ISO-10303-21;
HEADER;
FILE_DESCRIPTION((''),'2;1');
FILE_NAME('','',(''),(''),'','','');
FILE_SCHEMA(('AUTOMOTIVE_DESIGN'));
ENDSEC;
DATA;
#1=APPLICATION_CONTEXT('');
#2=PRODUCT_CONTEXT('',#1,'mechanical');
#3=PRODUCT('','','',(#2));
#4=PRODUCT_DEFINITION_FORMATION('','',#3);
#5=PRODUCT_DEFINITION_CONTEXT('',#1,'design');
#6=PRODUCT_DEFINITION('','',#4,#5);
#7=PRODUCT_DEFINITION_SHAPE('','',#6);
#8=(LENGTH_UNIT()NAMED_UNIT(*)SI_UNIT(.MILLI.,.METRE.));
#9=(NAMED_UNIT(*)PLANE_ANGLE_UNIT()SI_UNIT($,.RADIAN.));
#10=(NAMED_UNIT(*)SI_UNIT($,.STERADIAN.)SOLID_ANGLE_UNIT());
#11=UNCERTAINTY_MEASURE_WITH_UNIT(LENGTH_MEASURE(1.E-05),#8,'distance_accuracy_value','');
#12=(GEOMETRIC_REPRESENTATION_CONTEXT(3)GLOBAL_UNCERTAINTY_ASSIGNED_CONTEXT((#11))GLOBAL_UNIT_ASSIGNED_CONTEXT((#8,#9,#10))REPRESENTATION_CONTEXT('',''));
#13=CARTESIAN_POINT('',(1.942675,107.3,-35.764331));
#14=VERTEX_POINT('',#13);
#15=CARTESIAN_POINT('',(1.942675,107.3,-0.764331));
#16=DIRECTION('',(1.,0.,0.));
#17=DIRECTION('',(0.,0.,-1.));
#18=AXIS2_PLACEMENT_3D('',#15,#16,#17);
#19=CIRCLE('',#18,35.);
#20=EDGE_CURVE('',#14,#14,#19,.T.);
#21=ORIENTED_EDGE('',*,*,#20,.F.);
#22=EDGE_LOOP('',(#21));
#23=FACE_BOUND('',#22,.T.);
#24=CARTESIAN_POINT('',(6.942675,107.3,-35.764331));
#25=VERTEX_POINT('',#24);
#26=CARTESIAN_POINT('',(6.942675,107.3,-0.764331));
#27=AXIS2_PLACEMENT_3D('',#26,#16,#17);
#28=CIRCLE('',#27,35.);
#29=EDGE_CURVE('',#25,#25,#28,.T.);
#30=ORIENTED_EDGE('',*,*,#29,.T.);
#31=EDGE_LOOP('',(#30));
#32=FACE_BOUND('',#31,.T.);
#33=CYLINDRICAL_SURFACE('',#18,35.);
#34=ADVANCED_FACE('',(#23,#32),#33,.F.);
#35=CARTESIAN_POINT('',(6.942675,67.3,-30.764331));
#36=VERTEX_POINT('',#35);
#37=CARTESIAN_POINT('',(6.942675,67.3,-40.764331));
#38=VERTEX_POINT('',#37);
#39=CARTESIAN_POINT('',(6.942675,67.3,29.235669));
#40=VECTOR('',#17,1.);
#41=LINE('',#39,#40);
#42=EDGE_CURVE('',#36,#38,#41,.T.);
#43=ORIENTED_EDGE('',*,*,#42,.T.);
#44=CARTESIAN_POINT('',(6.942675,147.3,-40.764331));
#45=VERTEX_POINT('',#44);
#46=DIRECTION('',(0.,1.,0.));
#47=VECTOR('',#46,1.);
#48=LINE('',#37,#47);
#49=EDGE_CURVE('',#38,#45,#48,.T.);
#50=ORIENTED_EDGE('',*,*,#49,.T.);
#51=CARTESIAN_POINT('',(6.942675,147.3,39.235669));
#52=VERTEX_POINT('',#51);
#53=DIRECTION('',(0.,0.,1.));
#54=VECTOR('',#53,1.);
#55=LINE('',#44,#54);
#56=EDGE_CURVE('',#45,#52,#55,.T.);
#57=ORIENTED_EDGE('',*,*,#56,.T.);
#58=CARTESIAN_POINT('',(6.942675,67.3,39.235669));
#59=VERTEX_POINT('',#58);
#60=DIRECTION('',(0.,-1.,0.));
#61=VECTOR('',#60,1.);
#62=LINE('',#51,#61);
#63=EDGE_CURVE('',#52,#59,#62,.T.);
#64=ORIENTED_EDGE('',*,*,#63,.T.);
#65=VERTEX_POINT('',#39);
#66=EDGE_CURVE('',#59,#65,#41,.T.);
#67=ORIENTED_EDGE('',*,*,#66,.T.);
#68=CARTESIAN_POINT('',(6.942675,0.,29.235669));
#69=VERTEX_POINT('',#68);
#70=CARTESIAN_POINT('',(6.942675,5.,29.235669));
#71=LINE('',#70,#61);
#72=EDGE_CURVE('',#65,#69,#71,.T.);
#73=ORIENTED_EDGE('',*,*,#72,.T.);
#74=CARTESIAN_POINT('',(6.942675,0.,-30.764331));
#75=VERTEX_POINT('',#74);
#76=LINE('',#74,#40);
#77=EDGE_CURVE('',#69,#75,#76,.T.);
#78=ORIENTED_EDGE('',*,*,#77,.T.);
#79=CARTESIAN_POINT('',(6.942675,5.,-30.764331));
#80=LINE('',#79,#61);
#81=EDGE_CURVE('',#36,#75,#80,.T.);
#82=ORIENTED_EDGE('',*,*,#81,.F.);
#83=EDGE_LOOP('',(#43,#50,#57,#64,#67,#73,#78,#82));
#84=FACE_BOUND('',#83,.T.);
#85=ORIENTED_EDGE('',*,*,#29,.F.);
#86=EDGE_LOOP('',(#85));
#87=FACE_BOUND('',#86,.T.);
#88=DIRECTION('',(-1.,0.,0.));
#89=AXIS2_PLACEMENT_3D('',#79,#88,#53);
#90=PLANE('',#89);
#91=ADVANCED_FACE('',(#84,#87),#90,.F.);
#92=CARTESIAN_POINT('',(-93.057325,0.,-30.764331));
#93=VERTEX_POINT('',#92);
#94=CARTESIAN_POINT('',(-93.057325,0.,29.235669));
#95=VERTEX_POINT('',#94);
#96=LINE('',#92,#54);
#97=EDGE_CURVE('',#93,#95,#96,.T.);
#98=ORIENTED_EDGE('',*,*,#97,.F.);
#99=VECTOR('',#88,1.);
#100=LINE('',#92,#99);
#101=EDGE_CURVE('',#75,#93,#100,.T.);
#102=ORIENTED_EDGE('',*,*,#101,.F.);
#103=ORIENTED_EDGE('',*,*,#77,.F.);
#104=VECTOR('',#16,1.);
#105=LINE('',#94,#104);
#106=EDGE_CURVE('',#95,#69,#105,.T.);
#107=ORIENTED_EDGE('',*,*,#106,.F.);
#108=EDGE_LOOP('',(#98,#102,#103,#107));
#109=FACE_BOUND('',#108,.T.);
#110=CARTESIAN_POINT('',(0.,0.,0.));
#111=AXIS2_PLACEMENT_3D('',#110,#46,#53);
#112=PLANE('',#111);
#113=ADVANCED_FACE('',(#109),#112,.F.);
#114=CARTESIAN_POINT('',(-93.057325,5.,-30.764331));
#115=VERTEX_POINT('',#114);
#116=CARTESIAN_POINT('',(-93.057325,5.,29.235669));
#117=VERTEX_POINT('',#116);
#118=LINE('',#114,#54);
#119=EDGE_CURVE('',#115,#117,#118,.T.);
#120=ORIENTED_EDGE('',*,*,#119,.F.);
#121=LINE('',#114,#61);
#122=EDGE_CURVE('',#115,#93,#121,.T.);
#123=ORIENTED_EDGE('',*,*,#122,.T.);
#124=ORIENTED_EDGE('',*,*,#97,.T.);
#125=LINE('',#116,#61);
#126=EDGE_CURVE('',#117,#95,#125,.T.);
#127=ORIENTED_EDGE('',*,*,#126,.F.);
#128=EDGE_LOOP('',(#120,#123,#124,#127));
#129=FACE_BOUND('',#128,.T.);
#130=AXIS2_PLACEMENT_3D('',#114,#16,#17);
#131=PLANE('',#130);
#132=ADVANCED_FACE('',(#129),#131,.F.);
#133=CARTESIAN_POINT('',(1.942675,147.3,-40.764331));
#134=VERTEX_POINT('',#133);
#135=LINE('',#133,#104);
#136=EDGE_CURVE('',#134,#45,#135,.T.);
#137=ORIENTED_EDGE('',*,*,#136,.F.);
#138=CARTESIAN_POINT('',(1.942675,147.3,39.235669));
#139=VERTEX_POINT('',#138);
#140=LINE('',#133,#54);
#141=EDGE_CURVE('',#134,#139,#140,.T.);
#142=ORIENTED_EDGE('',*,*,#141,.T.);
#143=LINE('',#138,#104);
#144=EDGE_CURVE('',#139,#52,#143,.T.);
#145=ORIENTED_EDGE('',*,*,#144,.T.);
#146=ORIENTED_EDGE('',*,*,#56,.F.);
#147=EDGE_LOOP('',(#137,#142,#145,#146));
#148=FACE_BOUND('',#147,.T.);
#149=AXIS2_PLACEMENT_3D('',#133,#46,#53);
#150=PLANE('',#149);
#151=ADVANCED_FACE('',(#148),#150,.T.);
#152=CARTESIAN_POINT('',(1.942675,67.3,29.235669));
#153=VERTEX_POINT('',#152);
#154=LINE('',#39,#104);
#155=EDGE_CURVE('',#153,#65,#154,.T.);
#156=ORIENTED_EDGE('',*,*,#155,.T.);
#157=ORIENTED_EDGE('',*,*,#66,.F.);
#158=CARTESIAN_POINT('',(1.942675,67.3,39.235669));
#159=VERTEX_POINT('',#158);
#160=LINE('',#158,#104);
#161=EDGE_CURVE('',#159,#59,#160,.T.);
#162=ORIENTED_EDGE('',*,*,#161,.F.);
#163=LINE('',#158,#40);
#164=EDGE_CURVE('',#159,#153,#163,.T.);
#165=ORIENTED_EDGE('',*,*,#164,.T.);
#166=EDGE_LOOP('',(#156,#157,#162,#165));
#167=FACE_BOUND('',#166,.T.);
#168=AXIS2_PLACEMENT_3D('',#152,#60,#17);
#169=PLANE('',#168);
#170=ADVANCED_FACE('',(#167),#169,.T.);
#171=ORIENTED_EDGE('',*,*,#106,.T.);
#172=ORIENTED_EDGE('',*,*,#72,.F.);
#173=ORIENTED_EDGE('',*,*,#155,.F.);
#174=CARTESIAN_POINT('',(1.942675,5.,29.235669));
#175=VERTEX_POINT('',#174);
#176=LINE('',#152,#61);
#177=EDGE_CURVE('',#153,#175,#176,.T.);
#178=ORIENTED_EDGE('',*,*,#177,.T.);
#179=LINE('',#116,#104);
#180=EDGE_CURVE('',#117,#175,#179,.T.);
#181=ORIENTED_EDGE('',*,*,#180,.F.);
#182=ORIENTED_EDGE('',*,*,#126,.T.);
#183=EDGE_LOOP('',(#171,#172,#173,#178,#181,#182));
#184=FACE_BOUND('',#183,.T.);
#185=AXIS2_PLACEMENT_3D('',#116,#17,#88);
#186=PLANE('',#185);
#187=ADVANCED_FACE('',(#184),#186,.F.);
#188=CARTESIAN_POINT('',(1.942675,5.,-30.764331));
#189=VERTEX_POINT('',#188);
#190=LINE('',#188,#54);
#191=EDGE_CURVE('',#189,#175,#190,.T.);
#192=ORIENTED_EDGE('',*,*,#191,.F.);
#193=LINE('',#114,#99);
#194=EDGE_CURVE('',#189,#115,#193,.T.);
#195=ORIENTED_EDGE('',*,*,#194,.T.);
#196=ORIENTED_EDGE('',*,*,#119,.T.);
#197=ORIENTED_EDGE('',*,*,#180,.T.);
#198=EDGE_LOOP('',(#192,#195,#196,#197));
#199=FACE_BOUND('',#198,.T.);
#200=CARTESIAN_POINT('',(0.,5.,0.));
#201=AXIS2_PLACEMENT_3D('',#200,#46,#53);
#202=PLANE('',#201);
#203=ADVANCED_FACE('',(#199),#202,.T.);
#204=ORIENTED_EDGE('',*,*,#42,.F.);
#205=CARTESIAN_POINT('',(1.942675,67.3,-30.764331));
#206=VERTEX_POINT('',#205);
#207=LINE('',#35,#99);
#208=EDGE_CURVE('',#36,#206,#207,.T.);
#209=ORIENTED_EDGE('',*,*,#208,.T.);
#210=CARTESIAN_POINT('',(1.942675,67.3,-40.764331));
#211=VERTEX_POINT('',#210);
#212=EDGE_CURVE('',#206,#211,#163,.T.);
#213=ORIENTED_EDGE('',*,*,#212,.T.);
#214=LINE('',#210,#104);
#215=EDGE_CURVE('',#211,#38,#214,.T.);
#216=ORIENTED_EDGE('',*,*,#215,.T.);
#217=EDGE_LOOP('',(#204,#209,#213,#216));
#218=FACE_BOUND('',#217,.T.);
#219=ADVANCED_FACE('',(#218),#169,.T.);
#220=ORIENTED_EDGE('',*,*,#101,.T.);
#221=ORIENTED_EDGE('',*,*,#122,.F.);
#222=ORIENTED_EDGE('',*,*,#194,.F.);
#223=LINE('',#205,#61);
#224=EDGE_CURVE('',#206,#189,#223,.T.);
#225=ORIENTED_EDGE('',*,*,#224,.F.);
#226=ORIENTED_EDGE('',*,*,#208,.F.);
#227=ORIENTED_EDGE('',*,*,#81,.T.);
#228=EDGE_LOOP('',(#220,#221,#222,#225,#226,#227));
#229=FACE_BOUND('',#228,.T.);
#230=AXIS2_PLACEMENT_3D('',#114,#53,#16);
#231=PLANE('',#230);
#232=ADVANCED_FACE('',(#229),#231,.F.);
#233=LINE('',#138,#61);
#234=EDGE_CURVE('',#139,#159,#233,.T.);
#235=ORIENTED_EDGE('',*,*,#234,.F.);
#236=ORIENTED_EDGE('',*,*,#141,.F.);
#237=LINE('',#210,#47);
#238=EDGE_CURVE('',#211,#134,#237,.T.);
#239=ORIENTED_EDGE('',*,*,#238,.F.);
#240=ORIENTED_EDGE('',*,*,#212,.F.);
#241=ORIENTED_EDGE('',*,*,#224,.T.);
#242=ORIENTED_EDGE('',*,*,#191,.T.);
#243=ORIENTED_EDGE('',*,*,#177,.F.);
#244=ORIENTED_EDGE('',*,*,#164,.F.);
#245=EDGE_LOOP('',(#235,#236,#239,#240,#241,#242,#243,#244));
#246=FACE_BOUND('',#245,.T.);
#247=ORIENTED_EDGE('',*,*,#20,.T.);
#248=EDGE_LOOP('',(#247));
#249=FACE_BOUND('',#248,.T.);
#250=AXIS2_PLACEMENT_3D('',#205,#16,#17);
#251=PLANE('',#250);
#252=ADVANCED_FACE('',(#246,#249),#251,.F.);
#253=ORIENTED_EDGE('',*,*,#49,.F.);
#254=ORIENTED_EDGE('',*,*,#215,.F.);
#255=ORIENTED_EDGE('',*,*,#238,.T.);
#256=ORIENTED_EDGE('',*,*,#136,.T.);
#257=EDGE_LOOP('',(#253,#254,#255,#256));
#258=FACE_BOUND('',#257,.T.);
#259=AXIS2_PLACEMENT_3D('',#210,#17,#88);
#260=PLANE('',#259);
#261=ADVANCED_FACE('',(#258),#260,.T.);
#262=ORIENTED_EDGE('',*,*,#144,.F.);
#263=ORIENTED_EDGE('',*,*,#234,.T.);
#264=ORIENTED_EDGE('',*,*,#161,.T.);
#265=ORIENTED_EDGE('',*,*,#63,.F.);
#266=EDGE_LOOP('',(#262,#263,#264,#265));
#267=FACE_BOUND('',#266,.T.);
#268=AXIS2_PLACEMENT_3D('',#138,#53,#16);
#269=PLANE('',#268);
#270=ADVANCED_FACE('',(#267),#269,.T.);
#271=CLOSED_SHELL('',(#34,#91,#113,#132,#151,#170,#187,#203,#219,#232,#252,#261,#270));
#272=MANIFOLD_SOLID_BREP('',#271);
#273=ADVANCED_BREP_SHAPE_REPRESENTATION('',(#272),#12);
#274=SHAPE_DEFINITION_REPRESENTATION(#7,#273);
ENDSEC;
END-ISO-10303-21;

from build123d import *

# Parameters (mm, degrees)
SKETCH1_W           = 100
SKETCH1_H           = 60
BOSS_EXTRUDE1_DEPTH = 5
SKETCH2_W           = 5
SKETCH2_H           = 60
BOSS_EXTRUDE2_DEPTH = 62.3
BOSS_EXTRUDE3_DEPTH = 5
SKETCH5_R           = 35
CUT_EXTRUDE1_DEPTH  = 5


with BuildPart() as part:
    # Sketch1 → Boss-Extrude1 (new body)
    with BuildSketch(Plane(origin=(0, 0, 0), x_dir=(1, 0, 0), z_dir=(0, 1, 0))):
        with Locations((-43.057324841, 0.76433121)):
            Rectangle(SKETCH1_W, SKETCH1_H)
    extrude(amount=BOSS_EXTRUDE1_DEPTH)

    # Sketch2 → Boss-Extrude2 (add)
    with BuildSketch(Plane(origin=(0, 5, 0), x_dir=(1, 0, 0), z_dir=(0, 1, 0))):
        with Locations((4.442675159, 0.76433121)):
            Rectangle(SKETCH2_W, SKETCH2_H)
    extrude(amount=BOSS_EXTRUDE2_DEPTH)

    # Sketch4 → Boss-Extrude3 (add)
    with BuildSketch(Plane(origin=(6.942675159, 0, 0), x_dir=(0, 0, -1), z_dir=(1, 0, 0))):
        Polygon((-29.23566879, 67.3), (40.76433121, 67.3), (40.76433121, 147.3), (-39.23566879, 147.3), (-39.23566879, 67.3), align=None)
    extrude(amount=-BOSS_EXTRUDE3_DEPTH)

    # Sketch5 → Cut-Extrude1 (cut)
    with BuildSketch(Plane(origin=(6.942675159, 0, 0), x_dir=(0, 0, -1), z_dir=(1, 0, 0))):
        with Locations((0.76433121, 107.3)):
            Circle(SKETCH5_R)
    extrude(amount=-CUT_EXTRUDE1_DEPTH, mode=Mode.SUBTRACT)


solid = part.part
